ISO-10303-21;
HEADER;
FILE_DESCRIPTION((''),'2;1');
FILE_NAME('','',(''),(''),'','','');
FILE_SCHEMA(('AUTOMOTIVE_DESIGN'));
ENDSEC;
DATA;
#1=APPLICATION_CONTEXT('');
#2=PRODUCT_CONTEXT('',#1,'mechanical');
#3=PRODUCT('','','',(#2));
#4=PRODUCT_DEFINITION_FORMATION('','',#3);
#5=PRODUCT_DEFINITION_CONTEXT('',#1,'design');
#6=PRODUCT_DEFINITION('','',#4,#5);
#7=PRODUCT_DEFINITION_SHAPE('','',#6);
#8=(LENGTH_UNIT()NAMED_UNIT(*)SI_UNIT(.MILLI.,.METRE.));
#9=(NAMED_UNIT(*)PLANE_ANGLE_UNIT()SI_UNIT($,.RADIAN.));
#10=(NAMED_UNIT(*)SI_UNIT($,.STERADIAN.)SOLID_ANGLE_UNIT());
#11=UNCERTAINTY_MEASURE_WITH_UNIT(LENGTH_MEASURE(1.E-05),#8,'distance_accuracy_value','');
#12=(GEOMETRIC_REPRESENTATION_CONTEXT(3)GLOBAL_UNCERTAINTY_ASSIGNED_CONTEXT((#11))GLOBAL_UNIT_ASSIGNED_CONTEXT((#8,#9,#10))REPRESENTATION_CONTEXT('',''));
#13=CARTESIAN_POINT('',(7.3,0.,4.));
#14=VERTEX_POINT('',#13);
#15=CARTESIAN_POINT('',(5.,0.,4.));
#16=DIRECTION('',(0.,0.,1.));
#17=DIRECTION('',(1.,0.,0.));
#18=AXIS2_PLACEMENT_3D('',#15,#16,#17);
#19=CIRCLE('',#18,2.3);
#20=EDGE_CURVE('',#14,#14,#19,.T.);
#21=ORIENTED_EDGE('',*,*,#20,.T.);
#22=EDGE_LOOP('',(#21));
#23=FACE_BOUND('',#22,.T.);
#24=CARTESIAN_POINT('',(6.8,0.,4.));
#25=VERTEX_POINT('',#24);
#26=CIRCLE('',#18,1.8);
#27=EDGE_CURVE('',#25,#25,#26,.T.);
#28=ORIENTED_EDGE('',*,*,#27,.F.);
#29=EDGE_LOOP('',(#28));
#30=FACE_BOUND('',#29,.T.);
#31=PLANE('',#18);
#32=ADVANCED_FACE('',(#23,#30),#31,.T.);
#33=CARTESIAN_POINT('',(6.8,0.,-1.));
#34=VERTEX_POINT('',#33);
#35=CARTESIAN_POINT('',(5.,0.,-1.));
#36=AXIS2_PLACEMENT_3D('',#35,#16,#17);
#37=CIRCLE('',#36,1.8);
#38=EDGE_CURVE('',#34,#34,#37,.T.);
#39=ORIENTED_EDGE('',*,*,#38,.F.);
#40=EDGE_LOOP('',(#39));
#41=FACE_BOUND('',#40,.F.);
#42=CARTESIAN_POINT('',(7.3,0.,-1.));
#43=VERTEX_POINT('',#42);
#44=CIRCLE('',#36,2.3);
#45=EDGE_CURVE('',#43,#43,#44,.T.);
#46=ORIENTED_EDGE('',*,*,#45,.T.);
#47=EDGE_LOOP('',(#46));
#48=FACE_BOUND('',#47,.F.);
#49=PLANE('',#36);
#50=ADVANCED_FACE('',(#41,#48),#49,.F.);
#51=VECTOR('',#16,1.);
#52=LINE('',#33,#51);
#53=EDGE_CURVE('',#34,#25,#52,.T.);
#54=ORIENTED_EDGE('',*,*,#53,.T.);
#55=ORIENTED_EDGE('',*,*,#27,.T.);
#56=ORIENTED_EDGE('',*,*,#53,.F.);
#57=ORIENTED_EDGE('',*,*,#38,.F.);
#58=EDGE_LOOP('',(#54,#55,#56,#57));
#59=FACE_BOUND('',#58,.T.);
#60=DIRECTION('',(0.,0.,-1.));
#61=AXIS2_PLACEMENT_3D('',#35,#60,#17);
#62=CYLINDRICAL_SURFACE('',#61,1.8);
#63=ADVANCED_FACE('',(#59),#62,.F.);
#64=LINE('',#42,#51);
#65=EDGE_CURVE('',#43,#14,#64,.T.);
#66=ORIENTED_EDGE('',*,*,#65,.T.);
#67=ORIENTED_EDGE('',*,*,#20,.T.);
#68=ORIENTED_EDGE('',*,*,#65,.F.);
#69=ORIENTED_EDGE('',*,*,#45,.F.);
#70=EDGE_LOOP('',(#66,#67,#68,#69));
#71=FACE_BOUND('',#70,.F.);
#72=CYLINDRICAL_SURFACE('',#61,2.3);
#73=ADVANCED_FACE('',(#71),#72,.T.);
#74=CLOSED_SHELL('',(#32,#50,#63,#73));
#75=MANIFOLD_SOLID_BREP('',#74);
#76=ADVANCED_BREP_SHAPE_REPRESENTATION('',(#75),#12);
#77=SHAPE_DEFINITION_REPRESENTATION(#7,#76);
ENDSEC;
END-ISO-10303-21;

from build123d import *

# Parameters (mm, degrees)
CYLINDER017_R     = 1.8
CYLINDER017_DEPTH = 5
CYLINDER016_R     = 2.3
CYLINDER016_DEPTH = 5


with BuildPart() as cylinder017:
    # Cylinder017 → Cylinder017 (new body)
    with BuildSketch(Plane(origin=(5, 0, -1), x_dir=(1, 0, 0), z_dir=(0, 0, 1))):
        Circle(CYLINDER017_R)
    extrude(amount=CYLINDER017_DEPTH)


with BuildPart() as cut007:
    # Cylinder016 → Cylinder016 (new body)
    with BuildSketch(Plane(origin=(5, 0, -1), x_dir=(1, 0, 0), z_dir=(0, 0, 1))):
        Circle(CYLINDER016_R)
    extrude(amount=CYLINDER016_DEPTH)

    # Cut007: cut Cylinder017
    add(cylinder017.part, mode=Mode.SUBTRACT)


solid = cut007.part
